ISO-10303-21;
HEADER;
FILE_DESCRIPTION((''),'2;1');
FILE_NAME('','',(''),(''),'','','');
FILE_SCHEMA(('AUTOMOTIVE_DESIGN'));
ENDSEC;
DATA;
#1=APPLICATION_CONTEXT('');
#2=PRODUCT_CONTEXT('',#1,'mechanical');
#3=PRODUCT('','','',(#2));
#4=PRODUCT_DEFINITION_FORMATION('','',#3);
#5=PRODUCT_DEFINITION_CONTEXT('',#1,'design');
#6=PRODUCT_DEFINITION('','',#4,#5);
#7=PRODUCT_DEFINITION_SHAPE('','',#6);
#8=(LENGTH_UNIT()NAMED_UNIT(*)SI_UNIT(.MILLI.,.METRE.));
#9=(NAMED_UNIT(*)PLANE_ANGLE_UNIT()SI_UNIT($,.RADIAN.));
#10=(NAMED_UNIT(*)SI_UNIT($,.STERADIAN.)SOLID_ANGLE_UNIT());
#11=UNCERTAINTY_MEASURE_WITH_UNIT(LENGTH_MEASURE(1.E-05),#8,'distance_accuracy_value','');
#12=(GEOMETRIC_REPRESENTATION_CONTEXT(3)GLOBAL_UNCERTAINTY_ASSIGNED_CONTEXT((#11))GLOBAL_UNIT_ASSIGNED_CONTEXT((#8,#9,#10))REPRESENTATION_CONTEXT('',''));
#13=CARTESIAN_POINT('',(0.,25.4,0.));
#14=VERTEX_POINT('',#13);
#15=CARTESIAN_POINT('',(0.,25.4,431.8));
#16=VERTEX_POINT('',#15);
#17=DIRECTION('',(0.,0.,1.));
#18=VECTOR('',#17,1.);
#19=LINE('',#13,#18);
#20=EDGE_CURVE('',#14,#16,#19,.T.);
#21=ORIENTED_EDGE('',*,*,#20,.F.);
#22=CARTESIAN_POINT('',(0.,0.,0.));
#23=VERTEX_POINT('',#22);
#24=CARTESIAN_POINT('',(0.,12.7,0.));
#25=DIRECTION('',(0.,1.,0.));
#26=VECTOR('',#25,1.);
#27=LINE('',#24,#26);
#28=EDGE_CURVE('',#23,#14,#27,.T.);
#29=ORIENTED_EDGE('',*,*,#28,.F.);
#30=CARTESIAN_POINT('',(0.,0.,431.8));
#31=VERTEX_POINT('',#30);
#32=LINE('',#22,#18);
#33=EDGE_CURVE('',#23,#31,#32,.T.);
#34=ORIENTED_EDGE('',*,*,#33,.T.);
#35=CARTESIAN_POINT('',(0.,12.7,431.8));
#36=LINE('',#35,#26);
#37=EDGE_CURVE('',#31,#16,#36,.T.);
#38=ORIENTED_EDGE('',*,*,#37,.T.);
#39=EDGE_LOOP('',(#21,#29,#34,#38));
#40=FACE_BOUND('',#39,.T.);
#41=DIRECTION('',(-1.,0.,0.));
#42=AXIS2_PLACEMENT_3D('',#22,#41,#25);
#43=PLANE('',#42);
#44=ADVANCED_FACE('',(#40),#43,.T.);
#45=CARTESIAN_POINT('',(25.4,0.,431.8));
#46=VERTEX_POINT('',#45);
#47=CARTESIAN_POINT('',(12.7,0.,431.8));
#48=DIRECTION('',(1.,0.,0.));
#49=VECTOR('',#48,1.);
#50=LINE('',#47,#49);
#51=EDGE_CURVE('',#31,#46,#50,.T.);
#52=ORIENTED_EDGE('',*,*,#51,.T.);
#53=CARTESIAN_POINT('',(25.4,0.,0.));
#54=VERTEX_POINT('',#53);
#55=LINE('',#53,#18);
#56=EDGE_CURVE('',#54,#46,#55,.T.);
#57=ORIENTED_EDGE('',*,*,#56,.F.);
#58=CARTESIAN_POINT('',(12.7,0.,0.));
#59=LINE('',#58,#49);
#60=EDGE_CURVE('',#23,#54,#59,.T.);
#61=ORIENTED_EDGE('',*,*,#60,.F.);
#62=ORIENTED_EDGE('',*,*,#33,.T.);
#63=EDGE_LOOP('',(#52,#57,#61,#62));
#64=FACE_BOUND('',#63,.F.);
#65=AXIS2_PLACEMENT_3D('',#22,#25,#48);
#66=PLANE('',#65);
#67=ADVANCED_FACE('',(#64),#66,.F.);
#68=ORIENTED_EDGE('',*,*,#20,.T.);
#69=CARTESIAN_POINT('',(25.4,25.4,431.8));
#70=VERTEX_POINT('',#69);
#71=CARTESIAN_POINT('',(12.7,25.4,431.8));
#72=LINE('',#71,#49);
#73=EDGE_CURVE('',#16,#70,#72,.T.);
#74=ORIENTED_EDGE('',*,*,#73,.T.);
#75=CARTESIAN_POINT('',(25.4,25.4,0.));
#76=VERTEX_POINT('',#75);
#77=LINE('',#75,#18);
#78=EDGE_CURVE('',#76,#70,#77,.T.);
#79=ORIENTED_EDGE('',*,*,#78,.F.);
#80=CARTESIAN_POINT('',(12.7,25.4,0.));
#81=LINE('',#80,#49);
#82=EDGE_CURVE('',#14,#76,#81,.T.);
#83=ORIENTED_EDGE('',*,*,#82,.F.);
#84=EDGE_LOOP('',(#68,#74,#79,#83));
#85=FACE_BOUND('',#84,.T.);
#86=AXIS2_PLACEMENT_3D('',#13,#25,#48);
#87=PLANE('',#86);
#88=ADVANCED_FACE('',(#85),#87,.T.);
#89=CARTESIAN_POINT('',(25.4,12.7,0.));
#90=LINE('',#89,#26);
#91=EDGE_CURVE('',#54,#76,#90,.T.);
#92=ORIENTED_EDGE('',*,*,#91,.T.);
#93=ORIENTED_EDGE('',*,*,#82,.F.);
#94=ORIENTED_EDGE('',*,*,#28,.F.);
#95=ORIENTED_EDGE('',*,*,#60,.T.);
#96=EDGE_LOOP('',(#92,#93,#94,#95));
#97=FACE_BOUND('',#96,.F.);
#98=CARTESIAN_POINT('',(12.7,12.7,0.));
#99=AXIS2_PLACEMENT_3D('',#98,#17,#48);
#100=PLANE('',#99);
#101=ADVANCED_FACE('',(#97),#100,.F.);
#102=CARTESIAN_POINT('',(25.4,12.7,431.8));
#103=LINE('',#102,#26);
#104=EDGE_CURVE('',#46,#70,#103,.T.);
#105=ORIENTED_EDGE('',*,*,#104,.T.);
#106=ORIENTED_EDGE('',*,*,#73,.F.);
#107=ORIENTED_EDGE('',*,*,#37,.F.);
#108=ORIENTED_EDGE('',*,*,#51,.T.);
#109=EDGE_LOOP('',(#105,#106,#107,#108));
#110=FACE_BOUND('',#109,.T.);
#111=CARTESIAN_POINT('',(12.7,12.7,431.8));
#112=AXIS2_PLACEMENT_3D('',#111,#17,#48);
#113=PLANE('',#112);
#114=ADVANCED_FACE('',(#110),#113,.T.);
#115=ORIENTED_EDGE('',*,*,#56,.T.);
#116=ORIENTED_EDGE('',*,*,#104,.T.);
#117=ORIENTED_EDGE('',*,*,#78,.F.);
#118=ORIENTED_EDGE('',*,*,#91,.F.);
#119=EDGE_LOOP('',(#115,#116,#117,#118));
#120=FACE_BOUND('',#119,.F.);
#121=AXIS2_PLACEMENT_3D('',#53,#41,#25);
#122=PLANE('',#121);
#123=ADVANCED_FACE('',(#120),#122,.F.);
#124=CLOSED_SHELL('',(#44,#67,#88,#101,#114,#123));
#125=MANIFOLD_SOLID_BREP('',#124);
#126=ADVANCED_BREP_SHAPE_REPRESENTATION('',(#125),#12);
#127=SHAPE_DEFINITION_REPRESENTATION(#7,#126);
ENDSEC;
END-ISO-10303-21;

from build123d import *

# Parameters (mm, degrees)
SKETCH1_W           = 25.4
SKETCH1_H           = 25.4
BOSS_EXTRUDE1_DEPTH = 431.8


with BuildPart() as part:
    # Sketch1 → Boss-Extrude1 (new body)
    with BuildSketch(Plane.XY):
        with Locations((12.7, 12.7)):
            Rectangle(SKETCH1_W, SKETCH1_H)
    extrude(amount=BOSS_EXTRUDE1_DEPTH)


solid = part.part
